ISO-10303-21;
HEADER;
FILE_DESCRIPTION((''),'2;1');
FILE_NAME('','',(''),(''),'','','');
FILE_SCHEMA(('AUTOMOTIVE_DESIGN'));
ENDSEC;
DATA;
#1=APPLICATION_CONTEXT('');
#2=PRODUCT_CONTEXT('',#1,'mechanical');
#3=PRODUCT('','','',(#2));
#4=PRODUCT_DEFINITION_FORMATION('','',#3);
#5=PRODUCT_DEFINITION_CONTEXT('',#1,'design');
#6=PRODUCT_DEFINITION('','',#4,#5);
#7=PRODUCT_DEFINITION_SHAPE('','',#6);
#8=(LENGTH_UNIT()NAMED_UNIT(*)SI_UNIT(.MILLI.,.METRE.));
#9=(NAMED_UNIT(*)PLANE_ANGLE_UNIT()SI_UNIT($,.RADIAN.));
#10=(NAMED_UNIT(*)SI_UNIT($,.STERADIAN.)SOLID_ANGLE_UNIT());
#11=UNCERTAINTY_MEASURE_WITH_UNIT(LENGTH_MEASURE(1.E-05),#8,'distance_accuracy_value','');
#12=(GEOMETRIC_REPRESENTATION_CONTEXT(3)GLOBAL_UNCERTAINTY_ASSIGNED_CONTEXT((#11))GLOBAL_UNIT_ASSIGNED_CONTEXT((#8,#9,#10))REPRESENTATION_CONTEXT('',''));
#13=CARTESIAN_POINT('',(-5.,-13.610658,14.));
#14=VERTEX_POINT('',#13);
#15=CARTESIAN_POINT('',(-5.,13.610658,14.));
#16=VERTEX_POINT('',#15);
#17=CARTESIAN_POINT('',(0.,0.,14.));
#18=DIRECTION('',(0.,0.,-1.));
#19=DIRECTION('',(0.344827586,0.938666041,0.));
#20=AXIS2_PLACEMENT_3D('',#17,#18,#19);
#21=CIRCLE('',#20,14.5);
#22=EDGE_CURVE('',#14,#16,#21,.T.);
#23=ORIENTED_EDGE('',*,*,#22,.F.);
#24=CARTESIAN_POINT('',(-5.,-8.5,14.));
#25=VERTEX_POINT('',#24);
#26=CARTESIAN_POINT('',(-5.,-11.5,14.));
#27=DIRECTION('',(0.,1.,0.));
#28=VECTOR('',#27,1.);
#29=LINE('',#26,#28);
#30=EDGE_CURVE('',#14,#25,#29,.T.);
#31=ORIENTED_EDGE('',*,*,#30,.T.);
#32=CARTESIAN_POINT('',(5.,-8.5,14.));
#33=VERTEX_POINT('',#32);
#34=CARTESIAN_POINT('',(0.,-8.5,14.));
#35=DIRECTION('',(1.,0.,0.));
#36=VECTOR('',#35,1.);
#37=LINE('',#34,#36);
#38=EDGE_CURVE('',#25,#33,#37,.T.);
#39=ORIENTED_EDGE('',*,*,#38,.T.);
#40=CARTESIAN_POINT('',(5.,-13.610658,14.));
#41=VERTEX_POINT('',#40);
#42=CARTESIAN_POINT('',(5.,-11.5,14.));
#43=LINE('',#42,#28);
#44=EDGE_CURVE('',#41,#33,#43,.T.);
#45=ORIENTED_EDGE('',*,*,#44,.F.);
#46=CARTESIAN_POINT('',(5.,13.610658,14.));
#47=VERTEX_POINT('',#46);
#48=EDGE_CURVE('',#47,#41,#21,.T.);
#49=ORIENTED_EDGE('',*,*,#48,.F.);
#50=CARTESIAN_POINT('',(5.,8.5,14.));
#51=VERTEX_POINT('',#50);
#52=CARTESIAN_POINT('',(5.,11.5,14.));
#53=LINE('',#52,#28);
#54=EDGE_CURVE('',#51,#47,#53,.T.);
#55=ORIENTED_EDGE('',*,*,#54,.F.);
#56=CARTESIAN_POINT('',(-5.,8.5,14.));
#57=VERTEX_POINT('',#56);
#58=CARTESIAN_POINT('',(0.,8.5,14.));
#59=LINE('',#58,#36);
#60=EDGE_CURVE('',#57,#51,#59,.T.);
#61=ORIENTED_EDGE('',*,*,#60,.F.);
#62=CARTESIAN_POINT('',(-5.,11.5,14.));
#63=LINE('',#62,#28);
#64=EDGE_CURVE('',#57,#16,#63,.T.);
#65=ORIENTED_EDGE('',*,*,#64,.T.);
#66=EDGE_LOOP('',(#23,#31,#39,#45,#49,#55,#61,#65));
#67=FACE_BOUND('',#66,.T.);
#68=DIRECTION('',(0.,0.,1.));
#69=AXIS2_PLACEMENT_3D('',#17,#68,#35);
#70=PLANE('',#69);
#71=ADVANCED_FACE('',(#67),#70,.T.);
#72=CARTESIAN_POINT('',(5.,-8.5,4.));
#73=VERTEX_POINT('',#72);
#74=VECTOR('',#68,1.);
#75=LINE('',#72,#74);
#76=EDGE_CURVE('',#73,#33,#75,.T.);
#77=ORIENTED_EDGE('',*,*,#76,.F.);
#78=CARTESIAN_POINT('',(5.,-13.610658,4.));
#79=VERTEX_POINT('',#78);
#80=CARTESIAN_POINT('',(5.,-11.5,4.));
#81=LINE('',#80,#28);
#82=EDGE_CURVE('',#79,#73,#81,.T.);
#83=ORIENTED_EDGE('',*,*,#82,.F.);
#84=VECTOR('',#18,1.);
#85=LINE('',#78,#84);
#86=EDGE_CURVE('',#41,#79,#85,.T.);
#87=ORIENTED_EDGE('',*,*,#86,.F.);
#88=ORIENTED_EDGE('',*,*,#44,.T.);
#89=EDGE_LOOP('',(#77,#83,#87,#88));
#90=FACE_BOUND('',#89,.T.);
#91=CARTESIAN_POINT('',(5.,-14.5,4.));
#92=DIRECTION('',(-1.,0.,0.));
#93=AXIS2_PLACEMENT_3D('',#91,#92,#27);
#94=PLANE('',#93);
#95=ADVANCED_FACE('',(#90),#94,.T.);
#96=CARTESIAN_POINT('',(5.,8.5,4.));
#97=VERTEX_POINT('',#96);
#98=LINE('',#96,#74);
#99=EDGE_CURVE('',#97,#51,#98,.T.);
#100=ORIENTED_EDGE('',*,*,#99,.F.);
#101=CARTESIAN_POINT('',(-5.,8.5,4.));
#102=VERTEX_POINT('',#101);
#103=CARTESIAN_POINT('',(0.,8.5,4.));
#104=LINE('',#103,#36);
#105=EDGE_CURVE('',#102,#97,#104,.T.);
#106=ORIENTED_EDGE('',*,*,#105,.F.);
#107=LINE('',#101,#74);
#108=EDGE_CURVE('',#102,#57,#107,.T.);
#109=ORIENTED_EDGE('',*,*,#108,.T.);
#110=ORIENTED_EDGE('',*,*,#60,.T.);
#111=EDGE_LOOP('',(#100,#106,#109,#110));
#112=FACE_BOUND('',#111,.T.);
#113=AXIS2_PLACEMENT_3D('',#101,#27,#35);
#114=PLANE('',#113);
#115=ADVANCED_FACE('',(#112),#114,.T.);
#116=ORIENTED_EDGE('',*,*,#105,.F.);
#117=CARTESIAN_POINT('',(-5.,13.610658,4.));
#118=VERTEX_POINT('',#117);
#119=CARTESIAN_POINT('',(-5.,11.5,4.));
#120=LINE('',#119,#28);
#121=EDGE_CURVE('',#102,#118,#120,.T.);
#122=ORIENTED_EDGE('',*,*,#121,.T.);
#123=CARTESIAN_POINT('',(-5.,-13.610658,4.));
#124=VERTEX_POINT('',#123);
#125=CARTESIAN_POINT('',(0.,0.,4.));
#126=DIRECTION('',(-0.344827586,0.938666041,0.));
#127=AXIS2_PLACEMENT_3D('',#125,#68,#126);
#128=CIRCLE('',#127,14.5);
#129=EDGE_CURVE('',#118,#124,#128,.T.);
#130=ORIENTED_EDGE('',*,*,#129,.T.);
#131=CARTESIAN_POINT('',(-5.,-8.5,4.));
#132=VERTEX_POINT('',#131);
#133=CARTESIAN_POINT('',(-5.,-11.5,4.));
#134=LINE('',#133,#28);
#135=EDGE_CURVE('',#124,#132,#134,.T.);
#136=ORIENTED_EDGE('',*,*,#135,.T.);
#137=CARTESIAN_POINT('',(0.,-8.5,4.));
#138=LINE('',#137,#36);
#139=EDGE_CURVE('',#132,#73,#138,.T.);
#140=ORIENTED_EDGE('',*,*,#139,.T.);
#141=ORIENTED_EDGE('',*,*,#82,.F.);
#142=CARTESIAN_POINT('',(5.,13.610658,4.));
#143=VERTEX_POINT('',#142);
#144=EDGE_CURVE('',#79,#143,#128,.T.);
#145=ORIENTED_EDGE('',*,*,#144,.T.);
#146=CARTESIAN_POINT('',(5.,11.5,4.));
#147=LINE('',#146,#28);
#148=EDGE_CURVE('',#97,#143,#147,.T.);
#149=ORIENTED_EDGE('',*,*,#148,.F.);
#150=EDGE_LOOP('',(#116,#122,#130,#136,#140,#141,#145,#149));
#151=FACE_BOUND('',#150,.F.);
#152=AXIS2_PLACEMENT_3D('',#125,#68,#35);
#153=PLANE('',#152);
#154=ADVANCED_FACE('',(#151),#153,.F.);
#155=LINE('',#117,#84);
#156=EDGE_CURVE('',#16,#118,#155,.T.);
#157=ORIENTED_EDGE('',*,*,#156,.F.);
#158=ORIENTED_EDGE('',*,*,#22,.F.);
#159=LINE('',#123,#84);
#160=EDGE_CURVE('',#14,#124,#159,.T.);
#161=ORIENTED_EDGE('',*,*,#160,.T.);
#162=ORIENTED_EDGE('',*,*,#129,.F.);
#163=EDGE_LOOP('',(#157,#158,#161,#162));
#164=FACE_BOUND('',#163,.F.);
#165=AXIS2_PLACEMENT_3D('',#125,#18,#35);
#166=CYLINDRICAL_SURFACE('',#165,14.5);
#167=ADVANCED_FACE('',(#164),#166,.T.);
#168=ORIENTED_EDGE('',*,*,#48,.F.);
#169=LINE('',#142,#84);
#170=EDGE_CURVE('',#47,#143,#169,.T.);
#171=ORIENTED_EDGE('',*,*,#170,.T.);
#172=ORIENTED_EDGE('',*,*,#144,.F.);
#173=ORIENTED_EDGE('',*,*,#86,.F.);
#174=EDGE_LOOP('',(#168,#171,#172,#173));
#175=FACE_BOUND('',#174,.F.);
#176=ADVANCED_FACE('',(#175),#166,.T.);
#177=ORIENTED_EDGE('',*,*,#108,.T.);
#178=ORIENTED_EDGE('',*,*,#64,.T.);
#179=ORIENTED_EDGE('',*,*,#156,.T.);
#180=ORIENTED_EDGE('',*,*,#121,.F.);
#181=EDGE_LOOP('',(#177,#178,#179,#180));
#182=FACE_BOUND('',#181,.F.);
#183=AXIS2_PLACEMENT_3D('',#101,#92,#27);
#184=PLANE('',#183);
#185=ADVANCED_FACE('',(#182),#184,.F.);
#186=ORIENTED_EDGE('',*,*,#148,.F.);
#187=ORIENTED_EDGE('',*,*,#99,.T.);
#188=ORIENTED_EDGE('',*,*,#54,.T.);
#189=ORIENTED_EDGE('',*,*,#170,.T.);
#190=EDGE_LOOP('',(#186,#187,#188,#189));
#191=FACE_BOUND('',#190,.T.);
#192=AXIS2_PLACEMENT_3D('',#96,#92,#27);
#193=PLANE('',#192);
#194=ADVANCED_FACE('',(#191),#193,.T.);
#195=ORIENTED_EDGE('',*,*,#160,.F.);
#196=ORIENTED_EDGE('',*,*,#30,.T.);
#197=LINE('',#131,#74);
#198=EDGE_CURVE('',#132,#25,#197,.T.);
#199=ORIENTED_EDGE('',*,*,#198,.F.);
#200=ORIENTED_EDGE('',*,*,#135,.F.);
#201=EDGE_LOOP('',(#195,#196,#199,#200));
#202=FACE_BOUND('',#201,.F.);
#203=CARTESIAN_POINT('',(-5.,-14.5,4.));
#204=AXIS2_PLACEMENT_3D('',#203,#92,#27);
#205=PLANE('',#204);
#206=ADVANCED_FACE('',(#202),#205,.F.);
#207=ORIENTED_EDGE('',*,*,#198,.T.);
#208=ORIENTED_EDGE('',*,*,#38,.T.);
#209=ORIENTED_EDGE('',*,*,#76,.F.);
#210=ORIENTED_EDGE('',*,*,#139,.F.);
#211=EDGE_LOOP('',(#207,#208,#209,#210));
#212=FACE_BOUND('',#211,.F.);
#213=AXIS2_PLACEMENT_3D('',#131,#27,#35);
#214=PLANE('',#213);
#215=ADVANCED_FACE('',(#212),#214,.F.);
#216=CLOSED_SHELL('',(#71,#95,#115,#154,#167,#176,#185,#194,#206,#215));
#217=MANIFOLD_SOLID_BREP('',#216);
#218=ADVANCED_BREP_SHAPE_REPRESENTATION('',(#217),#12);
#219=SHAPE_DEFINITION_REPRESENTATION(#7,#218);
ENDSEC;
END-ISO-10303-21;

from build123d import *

# Parameters (mm, degrees)
BOX001_W       = 10
BOX001_H       = 6
BOX001_DEPTH   = 10
BOX_W          = 10
BOX_H          = 6
BOX_DEPTH      = 10
CYLINDER_R     = 14.5
CYLINDER_DEPTH = 10


with BuildPart() as cube001_wire_cutter_bottom:
    # Box001 → Box001 (new body)
    with BuildSketch(Plane(origin=(-5, -14.5, 0), x_dir=(1, 0, 0), z_dir=(0, 0, 1))):
        with Locations((5, 3)):
            Rectangle(BOX001_W, BOX001_H)
    extrude(amount=BOX001_DEPTH)


with BuildPart() as cube_wire_cutter_top:
    # Box → Box (new body)
    with BuildSketch(Plane(origin=(-5, 8.5, 0), x_dir=(1, 0, 0), z_dir=(0, 0, 1))):
        with Locations((5, 3)):
            Rectangle(BOX_W, BOX_H)
    extrude(amount=BOX_DEPTH)


with BuildPart() as cut001_inner_ring_spacer:
    # Cylinder → Cylinder (new body)
    with BuildSketch(Plane.XY):
        Circle(CYLINDER_R)
    extrude(amount=CYLINDER_DEPTH)

    # Cut: cut Cube(wire_cutter_top)
    add(cube_wire_cutter_top.part, mode=Mode.SUBTRACT)

    # Cut001: cut Cube001(wire_cutter_bottom)
    add(cube001_wire_cutter_bottom.part, mode=Mode.SUBTRACT)


with BuildPart() as cut001_inner_ring_spacer_1:
    # Cut001 placement: moved
    add(cut001_inner_ring_spacer.part.moved(Location((0, 0, 4))))


solid = cut001_inner_ring_spacer_1.part
